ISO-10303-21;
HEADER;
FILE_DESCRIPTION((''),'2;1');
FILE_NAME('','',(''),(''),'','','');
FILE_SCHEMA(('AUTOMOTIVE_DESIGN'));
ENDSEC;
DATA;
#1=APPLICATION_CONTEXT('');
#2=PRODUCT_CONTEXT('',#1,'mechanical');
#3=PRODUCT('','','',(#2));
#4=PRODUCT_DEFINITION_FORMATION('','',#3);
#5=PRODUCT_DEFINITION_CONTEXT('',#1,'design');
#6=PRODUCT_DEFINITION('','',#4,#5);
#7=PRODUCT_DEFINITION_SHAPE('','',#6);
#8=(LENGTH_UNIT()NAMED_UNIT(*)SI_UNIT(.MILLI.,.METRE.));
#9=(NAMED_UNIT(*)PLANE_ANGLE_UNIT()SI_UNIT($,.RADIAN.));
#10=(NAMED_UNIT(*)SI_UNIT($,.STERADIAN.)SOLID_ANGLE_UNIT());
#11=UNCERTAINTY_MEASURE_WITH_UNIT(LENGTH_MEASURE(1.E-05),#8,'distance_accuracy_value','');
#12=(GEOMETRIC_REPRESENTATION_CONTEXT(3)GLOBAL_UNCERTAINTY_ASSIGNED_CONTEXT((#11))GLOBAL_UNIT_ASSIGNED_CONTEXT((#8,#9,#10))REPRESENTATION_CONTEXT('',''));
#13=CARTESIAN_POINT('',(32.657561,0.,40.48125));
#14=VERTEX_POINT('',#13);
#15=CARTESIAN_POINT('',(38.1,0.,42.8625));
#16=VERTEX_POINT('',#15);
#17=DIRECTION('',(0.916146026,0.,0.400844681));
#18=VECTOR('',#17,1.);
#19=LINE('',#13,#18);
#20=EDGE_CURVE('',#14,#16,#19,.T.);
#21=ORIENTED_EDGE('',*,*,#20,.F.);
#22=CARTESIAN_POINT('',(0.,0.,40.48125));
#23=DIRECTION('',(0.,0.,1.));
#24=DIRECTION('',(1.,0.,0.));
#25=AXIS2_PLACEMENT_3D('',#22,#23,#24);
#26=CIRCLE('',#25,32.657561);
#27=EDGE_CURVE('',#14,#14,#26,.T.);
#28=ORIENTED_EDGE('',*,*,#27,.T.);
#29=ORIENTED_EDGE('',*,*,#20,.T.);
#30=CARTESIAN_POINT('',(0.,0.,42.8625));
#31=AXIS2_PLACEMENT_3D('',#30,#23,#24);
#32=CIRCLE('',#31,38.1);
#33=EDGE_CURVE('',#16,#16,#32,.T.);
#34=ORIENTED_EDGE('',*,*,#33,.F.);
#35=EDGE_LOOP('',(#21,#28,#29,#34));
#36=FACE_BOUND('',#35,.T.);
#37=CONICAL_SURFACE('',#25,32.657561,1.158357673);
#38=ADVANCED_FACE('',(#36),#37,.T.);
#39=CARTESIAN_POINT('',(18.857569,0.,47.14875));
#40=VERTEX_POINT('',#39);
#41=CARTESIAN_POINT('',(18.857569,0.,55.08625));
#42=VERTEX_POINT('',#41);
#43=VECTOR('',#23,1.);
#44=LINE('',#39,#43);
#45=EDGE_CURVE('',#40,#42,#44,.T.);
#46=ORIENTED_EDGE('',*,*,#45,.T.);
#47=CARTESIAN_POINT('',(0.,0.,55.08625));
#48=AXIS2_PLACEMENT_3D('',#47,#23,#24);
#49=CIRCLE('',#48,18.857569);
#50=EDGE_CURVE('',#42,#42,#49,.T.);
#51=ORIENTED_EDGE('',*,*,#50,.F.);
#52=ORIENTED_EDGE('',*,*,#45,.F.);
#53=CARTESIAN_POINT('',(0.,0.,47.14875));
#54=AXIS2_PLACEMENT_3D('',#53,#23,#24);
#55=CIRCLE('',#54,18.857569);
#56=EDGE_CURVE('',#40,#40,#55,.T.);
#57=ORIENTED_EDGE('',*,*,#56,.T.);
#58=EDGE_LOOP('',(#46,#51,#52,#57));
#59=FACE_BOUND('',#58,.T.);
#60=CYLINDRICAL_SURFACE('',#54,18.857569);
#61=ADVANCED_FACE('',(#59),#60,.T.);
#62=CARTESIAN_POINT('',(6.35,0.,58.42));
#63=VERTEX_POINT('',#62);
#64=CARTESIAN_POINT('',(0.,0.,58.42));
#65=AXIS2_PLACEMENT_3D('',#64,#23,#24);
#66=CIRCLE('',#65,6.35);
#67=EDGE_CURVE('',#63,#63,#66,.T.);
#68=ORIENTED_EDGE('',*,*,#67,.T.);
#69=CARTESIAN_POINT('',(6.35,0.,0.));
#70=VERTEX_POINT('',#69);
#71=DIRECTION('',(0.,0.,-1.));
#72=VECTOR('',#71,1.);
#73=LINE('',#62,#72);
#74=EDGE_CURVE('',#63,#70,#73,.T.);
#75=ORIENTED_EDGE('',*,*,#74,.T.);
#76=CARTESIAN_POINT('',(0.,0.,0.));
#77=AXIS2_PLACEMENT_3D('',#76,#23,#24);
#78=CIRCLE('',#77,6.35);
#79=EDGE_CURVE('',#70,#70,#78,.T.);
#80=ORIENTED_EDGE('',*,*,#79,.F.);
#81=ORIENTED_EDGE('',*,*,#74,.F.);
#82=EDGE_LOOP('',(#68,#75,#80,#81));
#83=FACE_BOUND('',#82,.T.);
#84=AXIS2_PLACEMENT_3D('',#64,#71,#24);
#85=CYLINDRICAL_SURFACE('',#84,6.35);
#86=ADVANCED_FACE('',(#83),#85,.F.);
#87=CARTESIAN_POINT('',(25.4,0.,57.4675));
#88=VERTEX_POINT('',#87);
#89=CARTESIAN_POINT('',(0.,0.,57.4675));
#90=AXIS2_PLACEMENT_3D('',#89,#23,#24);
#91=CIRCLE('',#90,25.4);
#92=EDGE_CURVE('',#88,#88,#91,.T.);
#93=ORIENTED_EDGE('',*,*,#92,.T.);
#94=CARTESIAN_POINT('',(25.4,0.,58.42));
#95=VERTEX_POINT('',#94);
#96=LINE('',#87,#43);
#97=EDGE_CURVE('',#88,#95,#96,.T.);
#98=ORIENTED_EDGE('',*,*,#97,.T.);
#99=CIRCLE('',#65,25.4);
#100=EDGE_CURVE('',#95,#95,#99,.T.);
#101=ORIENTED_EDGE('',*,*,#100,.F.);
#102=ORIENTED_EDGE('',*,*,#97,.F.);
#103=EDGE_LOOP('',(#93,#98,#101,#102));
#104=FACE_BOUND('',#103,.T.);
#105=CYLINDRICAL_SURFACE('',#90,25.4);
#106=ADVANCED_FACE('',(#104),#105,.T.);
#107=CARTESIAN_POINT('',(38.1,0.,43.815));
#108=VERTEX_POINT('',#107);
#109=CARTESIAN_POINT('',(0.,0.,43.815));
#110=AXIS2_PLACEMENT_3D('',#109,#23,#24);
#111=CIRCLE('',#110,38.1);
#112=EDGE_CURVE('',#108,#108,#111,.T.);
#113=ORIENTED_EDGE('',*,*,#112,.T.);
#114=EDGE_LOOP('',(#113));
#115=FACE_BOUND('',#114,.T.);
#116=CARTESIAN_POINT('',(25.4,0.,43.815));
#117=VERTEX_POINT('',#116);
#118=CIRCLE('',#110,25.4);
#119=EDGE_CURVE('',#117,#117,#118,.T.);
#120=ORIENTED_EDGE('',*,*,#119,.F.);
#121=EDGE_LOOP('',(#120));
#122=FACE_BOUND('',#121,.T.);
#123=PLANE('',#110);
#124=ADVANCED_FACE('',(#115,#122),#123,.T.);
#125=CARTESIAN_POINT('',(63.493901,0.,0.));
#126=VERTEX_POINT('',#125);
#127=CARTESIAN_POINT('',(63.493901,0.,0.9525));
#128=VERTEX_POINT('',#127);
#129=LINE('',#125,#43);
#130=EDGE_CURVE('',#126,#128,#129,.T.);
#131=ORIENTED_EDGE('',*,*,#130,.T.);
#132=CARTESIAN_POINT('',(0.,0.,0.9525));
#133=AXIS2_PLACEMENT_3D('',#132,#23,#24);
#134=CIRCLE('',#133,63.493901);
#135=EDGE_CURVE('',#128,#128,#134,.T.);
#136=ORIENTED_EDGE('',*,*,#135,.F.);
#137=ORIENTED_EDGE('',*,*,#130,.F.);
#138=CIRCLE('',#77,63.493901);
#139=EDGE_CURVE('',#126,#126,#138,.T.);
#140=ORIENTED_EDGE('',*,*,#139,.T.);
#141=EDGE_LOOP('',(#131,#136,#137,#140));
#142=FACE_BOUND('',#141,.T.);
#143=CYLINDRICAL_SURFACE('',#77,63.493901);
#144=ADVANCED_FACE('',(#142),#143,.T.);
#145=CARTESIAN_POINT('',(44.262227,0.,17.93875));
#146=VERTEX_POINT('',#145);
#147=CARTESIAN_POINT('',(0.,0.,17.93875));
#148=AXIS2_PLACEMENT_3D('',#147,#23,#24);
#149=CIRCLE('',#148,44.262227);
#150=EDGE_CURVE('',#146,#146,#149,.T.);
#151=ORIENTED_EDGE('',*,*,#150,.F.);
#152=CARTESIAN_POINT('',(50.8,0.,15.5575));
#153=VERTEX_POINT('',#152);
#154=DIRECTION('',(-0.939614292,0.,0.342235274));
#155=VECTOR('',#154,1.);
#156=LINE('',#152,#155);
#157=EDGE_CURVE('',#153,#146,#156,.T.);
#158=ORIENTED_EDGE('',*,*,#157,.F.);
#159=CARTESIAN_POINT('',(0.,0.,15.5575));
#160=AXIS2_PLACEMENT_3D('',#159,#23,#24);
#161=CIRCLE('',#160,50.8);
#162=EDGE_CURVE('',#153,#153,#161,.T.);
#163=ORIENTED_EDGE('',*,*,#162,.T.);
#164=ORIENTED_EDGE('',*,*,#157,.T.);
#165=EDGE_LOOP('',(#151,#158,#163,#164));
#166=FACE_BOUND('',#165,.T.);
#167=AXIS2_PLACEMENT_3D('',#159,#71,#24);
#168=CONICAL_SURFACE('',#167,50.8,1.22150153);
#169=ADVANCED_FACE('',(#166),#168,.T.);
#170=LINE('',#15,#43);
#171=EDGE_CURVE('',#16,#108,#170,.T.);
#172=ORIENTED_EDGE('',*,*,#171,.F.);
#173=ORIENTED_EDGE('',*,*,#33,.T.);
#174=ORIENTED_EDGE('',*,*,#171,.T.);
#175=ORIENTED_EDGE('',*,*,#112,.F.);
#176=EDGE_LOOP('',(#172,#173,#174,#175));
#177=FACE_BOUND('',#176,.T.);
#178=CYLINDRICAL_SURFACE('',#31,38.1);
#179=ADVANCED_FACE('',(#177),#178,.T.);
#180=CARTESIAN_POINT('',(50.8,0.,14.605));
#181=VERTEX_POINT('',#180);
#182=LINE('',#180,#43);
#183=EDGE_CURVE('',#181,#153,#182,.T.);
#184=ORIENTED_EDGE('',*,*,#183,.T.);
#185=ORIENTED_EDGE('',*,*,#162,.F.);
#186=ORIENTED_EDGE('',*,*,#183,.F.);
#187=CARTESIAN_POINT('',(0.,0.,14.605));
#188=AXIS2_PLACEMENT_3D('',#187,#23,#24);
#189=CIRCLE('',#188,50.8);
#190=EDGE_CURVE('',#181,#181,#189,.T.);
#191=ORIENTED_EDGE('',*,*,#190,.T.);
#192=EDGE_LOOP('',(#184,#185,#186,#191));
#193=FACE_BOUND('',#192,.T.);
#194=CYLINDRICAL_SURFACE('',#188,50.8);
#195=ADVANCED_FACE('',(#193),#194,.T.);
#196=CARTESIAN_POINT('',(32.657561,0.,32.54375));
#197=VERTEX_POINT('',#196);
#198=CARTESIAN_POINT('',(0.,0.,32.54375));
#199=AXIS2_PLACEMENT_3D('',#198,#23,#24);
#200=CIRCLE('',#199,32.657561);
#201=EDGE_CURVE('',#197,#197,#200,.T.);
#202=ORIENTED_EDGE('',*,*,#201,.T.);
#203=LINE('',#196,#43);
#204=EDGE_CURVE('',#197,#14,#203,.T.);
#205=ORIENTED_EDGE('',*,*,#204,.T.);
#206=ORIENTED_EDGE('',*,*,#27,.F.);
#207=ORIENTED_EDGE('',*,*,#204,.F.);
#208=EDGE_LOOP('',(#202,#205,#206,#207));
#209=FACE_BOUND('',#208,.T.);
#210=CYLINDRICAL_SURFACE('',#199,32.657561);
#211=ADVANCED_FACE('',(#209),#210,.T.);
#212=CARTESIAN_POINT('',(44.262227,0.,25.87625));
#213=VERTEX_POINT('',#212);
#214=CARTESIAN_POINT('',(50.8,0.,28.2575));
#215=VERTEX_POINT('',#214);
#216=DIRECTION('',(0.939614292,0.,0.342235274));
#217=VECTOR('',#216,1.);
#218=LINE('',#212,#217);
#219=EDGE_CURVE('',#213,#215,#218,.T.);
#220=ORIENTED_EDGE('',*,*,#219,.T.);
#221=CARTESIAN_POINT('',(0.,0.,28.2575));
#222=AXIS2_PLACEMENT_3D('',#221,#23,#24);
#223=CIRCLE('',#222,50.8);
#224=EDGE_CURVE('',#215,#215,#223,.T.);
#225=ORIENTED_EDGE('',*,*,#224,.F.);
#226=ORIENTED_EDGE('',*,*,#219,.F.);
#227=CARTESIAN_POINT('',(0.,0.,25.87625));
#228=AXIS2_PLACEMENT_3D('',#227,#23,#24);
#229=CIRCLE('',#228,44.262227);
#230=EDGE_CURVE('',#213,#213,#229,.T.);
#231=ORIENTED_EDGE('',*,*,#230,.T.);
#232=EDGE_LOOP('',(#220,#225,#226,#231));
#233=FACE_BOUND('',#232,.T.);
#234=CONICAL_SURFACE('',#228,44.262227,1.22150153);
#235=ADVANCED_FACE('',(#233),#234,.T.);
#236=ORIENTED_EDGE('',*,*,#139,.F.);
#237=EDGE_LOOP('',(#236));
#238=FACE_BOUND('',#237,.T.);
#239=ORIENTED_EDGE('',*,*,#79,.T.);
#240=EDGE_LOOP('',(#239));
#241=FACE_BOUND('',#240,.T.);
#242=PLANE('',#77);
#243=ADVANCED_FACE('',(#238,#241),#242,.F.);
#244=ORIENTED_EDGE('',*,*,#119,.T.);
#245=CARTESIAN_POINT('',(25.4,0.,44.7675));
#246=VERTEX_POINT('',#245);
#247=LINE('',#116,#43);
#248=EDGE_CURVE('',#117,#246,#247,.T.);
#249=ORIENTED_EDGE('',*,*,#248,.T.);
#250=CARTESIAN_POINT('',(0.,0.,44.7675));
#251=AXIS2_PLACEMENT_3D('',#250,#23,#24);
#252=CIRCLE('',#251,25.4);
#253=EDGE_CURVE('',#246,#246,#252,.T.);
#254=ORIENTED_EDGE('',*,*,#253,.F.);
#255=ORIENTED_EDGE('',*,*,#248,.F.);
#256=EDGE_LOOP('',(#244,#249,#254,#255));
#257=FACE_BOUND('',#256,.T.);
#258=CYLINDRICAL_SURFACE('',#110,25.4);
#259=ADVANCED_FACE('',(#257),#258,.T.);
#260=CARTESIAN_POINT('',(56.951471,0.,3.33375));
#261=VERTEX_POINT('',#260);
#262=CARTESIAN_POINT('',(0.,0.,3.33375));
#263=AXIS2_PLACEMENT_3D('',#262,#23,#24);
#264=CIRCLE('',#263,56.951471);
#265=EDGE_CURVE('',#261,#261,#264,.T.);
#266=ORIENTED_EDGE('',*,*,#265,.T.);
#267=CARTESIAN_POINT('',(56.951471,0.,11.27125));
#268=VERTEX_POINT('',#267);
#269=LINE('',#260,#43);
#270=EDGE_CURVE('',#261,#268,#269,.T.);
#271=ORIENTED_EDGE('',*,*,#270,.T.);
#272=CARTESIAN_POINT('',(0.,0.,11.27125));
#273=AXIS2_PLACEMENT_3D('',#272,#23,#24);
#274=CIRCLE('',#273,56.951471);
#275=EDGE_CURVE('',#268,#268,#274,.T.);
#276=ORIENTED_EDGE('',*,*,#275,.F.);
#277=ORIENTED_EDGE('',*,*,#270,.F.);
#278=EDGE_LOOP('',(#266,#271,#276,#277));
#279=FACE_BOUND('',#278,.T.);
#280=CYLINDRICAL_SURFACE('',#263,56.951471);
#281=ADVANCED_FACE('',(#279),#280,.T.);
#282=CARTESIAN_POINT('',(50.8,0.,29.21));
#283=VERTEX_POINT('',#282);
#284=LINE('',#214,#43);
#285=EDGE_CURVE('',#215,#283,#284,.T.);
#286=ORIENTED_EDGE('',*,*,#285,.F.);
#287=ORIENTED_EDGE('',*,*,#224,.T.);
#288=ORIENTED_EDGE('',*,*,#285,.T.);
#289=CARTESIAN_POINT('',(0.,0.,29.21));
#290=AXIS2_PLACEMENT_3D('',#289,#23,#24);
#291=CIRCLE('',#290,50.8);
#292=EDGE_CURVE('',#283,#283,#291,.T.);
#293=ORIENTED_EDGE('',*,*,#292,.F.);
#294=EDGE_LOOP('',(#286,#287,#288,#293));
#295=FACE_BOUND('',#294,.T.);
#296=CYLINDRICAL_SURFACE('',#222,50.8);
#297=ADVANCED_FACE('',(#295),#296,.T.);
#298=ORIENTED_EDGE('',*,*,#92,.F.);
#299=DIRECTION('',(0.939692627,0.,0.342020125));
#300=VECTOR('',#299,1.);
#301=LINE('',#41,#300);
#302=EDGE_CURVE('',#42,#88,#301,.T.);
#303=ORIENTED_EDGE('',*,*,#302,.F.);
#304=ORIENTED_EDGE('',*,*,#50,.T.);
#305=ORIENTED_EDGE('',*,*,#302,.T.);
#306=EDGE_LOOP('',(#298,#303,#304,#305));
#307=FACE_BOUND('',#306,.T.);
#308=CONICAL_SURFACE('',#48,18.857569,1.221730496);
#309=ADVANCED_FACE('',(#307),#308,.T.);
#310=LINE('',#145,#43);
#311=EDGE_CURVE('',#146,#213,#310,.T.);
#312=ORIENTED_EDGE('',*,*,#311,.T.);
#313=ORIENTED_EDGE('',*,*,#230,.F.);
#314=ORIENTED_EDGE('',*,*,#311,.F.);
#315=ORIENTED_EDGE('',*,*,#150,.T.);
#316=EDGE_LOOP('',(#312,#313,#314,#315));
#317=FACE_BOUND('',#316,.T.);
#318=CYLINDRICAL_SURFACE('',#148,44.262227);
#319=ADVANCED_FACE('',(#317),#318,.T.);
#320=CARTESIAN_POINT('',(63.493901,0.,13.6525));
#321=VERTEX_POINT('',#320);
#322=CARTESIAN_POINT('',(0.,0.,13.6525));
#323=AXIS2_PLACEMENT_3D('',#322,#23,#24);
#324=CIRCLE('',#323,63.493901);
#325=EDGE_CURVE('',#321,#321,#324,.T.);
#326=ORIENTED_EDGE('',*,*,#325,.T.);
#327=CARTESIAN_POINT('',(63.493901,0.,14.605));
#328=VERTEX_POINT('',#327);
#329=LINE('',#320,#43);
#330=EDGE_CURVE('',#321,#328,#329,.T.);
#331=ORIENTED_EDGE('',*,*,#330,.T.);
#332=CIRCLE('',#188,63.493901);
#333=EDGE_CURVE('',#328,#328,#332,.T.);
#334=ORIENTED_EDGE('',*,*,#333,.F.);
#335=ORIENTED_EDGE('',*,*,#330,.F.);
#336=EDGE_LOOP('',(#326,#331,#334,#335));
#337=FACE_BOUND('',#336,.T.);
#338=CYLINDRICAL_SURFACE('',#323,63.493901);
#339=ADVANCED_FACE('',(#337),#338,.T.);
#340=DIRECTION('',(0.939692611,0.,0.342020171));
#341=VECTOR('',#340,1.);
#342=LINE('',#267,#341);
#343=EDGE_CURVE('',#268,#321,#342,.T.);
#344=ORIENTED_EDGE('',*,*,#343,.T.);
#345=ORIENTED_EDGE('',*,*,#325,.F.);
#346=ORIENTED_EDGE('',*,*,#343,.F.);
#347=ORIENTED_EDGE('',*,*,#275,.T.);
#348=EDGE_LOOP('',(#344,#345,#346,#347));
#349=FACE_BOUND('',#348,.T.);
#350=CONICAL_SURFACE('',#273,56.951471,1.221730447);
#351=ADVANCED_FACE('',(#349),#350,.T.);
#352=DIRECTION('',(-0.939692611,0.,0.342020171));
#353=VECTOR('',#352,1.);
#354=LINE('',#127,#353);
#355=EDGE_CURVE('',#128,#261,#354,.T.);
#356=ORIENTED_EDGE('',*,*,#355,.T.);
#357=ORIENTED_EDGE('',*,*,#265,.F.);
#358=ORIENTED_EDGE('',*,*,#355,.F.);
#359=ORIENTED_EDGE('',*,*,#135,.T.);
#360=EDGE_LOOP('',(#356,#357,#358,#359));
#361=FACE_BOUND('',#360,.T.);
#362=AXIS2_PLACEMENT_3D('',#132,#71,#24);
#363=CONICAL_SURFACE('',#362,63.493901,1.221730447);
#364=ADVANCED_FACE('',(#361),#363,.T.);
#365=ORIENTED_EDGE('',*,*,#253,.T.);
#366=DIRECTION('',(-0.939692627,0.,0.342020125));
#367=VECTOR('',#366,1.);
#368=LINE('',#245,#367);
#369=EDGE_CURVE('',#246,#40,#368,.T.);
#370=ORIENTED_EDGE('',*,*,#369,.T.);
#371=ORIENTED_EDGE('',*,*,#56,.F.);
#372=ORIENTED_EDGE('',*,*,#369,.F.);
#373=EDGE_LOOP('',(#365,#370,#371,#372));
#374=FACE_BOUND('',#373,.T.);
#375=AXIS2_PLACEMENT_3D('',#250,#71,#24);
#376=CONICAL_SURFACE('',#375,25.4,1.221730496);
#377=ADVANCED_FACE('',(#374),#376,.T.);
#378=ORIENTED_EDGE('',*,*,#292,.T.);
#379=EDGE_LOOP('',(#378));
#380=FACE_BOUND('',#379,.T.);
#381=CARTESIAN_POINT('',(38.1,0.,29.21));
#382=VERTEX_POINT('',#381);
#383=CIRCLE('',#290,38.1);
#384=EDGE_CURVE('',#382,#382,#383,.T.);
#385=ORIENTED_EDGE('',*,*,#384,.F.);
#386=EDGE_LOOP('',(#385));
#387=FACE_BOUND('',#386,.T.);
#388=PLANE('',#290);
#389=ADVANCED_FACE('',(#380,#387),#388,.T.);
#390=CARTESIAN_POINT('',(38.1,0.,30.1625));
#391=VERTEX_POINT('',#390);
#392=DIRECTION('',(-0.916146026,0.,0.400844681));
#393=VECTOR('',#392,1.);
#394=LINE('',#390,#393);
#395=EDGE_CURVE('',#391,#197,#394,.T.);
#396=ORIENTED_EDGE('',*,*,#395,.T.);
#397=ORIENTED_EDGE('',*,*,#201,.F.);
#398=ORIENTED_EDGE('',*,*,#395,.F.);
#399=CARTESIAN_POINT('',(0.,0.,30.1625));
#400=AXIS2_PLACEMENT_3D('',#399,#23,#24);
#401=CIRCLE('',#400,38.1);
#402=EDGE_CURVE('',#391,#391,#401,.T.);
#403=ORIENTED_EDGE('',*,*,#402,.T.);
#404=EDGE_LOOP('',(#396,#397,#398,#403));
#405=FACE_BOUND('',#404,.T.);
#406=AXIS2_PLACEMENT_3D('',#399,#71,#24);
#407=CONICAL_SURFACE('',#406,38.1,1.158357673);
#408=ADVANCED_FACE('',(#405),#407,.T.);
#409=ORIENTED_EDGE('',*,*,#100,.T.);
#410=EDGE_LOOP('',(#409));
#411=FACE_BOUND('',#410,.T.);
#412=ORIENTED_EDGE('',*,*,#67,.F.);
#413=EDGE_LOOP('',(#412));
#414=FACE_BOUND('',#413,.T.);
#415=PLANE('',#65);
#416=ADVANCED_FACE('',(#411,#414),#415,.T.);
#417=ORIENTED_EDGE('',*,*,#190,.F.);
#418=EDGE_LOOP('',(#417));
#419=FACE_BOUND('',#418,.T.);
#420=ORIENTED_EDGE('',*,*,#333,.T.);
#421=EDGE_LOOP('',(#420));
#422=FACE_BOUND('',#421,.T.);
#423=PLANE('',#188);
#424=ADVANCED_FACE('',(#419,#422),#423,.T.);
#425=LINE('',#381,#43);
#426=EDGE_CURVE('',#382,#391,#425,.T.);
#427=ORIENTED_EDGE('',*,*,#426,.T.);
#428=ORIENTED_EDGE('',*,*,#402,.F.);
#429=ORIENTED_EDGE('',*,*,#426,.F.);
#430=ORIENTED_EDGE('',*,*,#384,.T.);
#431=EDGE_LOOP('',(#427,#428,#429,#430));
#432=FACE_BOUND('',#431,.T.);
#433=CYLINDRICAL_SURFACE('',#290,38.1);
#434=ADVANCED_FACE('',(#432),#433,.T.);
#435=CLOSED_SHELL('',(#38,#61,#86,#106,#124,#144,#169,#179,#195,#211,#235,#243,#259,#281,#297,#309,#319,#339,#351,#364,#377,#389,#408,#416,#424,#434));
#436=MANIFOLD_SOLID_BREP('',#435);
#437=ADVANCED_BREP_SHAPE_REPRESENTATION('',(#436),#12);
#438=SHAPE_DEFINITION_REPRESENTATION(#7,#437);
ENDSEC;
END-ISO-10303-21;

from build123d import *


with BuildPart() as f1:
    # F0 (on Front) → F1 (revolve)
    with BuildSketch(Plane.XZ):
        Polygon((25.4, 58.42), (6.35, 58.42), (6.35, 0), (63.493901, 0), (63.493901, 0.9525), (56.951471, 3.33375), (56.951471, 7.3025), (56.951471, 11.27125), (63.493901, 13.6525), (63.493901, 14.605), (50.8, 14.605), (50.8, 15.5575), (44.262227, 17.93875), (44.262227, 21.9075), (44.262227, 25.87625), (50.8, 28.2575), (50.8, 29.21), (38.1, 29.21), (38.1, 30.1625), (32.657561, 32.54375), (32.657561, 36.5125), (32.657561, 40.48125), (38.1, 42.8625), (38.1, 43.815), (25.4, 43.815), (25.4, 44.7675), (18.857569, 47.14875), (18.857569, 51.1175), (18.857569, 55.08625), (25.4, 57.4675), align=None)
    revolve(axis=Axis((0, 0, 27.116194), (0, 0, 1)))


solid = f1.part
